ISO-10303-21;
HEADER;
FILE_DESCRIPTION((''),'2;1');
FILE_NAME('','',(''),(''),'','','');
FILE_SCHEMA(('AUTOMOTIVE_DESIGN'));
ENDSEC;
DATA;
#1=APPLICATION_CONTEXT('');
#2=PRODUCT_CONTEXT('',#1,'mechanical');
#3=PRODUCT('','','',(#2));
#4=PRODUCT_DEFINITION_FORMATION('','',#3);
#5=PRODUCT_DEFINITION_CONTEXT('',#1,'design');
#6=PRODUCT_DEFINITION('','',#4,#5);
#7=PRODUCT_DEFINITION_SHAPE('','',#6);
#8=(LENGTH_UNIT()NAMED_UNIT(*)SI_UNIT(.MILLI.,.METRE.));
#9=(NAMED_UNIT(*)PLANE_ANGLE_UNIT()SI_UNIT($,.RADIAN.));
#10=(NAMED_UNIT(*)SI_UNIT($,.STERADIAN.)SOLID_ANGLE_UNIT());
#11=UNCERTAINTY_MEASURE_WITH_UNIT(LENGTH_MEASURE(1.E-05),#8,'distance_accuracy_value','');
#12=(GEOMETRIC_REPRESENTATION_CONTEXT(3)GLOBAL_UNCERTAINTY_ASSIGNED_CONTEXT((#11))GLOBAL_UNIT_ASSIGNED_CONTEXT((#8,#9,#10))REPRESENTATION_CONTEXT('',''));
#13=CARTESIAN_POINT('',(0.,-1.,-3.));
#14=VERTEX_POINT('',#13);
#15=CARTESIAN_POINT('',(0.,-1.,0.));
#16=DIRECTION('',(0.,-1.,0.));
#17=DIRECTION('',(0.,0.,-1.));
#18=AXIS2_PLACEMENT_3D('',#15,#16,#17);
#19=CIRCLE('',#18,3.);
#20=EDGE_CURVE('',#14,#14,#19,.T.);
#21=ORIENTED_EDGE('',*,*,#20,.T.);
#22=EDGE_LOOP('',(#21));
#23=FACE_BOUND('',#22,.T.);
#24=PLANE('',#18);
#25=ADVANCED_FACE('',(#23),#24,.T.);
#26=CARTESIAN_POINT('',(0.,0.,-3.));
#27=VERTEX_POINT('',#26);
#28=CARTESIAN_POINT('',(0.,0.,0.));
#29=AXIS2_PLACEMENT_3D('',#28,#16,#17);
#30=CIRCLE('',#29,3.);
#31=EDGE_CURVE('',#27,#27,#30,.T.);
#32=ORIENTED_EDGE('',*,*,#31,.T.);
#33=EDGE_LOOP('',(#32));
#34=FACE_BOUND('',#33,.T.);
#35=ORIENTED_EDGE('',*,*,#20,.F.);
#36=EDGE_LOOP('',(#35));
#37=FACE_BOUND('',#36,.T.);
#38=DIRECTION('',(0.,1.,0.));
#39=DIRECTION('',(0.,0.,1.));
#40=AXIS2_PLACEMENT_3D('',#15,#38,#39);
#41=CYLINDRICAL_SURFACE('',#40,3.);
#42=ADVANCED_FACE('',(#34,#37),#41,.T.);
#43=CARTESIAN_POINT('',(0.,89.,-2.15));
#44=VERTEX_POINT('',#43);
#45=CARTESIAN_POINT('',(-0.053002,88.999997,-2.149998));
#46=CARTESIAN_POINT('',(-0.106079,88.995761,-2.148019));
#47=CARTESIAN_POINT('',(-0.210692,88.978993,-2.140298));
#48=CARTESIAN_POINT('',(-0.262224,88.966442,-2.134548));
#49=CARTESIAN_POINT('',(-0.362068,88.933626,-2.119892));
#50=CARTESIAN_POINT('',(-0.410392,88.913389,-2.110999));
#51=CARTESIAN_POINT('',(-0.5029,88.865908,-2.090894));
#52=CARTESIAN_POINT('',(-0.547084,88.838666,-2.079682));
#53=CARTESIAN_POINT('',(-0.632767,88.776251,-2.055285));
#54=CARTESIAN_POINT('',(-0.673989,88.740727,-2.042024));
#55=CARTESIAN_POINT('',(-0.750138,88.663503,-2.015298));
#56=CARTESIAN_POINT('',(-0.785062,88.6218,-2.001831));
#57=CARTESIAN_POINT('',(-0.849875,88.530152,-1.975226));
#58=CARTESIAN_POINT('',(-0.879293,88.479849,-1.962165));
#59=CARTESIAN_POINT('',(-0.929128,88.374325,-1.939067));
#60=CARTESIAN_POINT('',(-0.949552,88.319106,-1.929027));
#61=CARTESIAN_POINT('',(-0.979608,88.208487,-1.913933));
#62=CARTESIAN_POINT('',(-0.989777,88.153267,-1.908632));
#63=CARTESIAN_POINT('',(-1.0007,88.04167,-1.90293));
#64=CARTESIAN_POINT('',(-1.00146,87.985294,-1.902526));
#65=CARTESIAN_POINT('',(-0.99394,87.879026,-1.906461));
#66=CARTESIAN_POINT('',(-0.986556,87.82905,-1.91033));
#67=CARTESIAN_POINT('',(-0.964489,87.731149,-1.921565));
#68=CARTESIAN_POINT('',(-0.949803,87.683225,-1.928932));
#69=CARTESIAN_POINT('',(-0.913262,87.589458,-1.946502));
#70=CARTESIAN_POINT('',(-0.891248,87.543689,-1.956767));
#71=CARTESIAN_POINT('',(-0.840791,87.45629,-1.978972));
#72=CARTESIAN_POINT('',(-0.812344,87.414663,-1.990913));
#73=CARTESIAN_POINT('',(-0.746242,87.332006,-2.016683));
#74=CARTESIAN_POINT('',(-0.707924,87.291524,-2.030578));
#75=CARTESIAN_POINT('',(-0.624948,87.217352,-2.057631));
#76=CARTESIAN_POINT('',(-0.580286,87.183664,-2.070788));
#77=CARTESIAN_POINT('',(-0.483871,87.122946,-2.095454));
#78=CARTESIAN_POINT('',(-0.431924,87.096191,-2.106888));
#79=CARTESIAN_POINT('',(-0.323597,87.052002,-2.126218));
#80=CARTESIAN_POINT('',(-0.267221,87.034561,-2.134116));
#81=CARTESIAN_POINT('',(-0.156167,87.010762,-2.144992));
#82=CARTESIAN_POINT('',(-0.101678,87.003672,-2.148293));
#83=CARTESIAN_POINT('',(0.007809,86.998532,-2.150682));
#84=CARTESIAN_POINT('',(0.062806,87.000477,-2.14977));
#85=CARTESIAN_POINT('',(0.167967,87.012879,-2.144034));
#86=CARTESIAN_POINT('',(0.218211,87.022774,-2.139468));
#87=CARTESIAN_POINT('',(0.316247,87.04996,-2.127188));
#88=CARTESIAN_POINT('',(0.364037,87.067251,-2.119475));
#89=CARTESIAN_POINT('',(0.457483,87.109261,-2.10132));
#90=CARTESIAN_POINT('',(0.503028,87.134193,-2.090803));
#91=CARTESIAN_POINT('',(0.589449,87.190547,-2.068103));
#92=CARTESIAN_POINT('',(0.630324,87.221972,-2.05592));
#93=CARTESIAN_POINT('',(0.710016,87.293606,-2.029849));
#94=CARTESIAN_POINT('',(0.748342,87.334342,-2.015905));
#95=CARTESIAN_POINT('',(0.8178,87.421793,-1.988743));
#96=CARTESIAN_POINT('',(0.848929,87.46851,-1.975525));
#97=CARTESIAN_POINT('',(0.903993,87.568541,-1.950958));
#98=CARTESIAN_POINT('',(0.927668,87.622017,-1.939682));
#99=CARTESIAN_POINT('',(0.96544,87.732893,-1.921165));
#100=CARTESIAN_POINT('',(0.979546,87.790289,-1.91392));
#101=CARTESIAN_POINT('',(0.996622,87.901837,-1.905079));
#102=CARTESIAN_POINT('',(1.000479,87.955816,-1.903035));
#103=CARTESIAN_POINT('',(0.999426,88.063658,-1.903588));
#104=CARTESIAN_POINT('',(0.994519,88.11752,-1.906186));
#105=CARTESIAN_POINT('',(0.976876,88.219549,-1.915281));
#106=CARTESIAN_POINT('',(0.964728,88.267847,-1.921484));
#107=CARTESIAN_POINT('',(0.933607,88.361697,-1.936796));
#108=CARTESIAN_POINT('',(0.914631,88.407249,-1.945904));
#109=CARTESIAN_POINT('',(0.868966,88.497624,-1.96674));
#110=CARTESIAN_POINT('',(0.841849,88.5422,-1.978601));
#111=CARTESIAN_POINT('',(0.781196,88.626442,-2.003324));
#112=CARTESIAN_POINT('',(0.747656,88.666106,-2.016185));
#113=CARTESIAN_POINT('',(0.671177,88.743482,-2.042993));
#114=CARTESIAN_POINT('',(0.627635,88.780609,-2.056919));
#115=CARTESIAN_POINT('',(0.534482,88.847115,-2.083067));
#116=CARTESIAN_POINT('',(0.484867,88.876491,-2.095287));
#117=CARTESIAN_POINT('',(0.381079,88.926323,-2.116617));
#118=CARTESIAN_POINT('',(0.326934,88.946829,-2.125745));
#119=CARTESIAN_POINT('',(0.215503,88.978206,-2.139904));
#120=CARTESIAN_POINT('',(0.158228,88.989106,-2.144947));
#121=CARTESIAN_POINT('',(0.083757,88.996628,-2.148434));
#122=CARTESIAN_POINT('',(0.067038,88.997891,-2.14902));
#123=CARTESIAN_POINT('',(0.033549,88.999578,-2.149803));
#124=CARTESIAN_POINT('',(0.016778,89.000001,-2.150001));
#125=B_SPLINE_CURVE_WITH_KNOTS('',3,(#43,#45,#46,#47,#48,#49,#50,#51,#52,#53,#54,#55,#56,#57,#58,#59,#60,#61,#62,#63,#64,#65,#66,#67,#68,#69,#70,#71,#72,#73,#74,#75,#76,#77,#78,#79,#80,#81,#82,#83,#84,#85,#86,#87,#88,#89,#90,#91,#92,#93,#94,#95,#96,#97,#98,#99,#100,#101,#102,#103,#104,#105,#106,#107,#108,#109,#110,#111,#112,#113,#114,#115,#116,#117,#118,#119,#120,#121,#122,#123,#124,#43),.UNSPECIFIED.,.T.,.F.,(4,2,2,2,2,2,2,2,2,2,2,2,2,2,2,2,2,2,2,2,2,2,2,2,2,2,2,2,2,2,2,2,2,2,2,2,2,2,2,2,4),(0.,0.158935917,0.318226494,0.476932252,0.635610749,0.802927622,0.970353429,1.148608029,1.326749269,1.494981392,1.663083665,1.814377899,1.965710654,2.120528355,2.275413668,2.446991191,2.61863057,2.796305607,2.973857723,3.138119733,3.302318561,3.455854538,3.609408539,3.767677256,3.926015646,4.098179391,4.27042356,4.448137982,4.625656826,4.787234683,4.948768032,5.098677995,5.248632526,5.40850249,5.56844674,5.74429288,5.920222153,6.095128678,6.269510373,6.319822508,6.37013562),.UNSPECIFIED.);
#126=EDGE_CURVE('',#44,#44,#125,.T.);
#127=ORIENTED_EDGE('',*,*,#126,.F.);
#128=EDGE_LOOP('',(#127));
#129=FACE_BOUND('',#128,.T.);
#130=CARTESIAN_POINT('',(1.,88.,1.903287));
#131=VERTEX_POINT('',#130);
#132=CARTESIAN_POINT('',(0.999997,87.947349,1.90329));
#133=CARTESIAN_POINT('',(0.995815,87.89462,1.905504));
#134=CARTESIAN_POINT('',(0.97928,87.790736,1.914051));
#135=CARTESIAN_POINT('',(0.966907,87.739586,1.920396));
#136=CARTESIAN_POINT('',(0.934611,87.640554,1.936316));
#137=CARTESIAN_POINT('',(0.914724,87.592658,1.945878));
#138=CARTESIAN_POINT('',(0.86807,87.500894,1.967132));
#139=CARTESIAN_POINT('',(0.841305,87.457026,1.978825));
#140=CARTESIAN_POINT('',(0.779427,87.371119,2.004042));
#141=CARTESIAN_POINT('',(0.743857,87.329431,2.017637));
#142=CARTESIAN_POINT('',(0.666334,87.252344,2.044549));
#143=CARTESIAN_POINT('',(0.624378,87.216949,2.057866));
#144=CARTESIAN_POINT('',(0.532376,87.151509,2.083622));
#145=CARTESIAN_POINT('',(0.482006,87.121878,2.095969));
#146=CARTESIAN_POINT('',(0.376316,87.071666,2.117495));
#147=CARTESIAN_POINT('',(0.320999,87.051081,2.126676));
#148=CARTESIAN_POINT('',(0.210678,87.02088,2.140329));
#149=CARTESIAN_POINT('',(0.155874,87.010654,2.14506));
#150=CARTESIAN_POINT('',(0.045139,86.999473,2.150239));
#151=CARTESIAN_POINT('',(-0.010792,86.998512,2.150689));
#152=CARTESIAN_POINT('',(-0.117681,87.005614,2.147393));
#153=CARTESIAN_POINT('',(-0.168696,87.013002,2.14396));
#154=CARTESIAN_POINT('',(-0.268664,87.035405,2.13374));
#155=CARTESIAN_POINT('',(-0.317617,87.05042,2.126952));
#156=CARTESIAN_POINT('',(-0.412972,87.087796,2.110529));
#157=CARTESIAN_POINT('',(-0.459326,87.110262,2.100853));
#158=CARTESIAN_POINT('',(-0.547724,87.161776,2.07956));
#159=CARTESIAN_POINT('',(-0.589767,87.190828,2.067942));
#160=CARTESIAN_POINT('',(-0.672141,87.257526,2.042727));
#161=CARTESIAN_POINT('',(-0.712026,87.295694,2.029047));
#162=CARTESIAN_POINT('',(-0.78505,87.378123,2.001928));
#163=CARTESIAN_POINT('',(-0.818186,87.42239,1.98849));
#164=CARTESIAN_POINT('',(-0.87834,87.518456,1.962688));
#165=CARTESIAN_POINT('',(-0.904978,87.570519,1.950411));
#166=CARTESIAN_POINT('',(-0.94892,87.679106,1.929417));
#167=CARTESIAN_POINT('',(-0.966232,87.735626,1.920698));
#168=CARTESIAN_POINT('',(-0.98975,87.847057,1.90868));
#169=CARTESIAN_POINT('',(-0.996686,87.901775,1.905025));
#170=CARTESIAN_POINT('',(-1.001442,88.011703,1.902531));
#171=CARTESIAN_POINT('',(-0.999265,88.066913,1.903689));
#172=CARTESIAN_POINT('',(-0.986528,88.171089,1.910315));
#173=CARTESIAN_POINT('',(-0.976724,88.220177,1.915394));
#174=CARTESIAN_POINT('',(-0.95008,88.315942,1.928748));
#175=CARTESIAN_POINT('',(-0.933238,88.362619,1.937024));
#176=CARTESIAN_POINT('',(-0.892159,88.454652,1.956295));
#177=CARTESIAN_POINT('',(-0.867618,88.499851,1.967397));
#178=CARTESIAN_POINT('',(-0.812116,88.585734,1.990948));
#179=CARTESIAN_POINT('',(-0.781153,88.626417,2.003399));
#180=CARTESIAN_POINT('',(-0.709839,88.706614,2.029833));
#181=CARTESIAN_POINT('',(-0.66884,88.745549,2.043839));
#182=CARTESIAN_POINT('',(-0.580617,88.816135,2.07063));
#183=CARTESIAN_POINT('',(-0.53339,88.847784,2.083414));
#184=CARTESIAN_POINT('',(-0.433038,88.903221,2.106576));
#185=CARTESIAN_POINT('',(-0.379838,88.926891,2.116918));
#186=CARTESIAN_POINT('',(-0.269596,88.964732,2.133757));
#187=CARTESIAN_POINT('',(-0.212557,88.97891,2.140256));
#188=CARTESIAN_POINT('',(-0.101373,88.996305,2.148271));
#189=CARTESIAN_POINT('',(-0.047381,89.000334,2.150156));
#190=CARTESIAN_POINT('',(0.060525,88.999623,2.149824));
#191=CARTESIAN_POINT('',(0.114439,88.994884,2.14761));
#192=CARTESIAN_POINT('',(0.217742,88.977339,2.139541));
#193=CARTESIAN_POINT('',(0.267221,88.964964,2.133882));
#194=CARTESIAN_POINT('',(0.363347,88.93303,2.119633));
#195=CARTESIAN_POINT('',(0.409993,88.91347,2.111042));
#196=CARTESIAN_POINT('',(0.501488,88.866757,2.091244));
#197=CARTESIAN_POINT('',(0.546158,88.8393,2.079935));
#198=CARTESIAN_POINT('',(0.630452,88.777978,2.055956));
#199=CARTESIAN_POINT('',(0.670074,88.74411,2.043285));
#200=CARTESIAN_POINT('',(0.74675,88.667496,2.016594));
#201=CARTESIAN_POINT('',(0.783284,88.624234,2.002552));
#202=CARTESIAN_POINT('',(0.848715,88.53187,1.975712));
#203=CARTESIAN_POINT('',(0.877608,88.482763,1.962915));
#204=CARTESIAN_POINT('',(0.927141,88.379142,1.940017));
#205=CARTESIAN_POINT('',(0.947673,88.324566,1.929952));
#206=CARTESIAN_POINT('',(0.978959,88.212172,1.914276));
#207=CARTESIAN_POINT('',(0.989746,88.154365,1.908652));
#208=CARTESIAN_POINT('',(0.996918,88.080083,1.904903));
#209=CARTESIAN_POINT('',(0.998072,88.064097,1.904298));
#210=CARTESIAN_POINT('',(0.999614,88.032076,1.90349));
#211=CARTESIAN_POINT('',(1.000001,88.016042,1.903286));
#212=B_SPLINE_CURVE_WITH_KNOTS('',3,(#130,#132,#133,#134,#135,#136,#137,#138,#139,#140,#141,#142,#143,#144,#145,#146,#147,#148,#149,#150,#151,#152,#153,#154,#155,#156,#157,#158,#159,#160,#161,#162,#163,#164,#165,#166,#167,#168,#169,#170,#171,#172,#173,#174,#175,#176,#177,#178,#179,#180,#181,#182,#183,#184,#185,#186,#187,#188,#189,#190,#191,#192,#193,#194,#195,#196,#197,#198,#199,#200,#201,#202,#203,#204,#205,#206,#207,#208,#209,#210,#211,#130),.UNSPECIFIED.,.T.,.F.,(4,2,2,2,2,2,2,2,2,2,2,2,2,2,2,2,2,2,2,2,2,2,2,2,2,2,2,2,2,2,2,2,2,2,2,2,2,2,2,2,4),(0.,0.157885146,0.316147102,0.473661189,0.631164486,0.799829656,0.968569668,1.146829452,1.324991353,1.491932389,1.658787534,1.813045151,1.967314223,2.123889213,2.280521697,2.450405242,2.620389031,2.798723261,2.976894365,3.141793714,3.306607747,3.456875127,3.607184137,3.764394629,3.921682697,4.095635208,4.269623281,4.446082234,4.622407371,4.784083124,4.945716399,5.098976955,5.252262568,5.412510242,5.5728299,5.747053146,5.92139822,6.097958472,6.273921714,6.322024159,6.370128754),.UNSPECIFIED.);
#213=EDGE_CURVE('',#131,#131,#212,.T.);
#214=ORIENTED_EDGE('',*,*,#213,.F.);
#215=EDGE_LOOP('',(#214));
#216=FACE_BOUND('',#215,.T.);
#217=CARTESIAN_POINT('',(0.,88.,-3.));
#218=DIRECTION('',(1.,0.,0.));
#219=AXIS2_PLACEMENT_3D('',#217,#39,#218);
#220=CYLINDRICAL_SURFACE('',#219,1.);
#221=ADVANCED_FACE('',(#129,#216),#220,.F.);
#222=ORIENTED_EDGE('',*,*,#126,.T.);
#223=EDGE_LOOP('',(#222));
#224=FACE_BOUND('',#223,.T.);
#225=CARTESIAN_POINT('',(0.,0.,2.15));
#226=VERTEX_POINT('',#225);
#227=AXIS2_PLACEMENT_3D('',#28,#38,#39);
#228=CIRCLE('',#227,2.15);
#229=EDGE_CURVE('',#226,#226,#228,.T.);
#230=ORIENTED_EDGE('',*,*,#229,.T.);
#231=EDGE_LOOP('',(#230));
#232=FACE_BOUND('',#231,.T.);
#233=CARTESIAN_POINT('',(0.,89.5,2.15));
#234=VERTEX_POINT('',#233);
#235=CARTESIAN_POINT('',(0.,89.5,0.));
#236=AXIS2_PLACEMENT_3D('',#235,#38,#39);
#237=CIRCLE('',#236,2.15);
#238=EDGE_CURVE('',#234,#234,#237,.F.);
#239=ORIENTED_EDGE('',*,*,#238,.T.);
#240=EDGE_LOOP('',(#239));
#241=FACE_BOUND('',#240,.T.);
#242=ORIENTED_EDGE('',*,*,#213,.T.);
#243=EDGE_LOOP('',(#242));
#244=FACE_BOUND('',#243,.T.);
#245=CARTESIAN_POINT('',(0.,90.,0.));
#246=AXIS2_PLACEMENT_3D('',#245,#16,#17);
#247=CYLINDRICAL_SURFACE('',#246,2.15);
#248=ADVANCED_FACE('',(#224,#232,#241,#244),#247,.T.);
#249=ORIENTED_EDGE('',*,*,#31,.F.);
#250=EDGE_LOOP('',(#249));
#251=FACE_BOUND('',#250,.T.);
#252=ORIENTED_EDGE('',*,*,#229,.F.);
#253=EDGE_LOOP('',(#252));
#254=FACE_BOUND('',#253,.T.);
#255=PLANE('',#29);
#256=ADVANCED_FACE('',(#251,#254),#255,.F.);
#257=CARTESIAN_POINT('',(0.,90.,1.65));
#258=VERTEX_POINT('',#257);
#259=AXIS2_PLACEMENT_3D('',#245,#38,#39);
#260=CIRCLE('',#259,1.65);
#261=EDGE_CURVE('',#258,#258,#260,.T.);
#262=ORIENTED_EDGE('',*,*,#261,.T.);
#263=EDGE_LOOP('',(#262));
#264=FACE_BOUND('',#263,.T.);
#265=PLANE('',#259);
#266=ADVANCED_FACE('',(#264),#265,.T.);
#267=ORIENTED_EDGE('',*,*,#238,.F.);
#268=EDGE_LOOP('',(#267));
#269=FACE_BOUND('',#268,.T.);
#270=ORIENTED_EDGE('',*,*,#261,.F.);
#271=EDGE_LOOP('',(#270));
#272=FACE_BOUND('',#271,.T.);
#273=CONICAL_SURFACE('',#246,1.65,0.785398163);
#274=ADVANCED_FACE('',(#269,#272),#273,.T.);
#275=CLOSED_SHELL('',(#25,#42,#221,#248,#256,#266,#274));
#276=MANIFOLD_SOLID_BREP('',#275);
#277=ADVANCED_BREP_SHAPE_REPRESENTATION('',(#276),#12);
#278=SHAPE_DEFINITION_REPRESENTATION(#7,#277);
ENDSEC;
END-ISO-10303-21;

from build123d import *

# Parameters (mm, degrees)
SKETCH1_R               = 2.15
BOSS_EXTRUDE1_DEPTH     = 90
CHAMFER1_SIZE           = 0.5
SKETCH2_R               = 3
BOSS_EXTRUDE2_DEPTH     = 1
CUT_EXTRUDE1_DEPTH      = 91.099944506
CUT_EXTRUDE1_DEPTH_BACK = 91.099944506
SKETCH3_R               = 1


with BuildPart() as part:
    # Sketch1 → Boss-Extrude1 (new body)
    with BuildSketch(Plane(origin=(0, 0, 0), x_dir=(1, 0, 0), z_dir=(0, 1, 0))):
        with Locations(Location((0, 0, 0), (0, 0, 90))):
            Circle(SKETCH1_R)
    extrude(amount=BOSS_EXTRUDE1_DEPTH)

    # Chamfer1
    chamfer1_edges = [part.edges().sort_by_distance(p)[0] for p in [
        (0, 90, 2.15),
    ]]
    chamfer(chamfer1_edges, length=CHAMFER1_SIZE)

    # Sketch2 → Boss-Extrude2 (add)
    with BuildSketch(Plane(origin=(0, 0, 0), x_dir=(-1, 0, 0), z_dir=(0, -1, 0))):
        with Locations(Location((0, 0, 0), (0, 0, 90))):
            Circle(SKETCH2_R)
    extrude(amount=BOSS_EXTRUDE2_DEPTH)

    # Sketch3 → Cut-Extrude1 (cut, two sides: drawn at the far end of the back side and taken through both)
    with BuildSketch(Plane.XY.offset(-CUT_EXTRUDE1_DEPTH_BACK)):
        with Locations(Location((0, 88, 0), (0, 0, 89.999999996))):
            Circle(SKETCH3_R)
    extrude(amount=CUT_EXTRUDE1_DEPTH + CUT_EXTRUDE1_DEPTH_BACK, mode=Mode.SUBTRACT)


solid = part.part
